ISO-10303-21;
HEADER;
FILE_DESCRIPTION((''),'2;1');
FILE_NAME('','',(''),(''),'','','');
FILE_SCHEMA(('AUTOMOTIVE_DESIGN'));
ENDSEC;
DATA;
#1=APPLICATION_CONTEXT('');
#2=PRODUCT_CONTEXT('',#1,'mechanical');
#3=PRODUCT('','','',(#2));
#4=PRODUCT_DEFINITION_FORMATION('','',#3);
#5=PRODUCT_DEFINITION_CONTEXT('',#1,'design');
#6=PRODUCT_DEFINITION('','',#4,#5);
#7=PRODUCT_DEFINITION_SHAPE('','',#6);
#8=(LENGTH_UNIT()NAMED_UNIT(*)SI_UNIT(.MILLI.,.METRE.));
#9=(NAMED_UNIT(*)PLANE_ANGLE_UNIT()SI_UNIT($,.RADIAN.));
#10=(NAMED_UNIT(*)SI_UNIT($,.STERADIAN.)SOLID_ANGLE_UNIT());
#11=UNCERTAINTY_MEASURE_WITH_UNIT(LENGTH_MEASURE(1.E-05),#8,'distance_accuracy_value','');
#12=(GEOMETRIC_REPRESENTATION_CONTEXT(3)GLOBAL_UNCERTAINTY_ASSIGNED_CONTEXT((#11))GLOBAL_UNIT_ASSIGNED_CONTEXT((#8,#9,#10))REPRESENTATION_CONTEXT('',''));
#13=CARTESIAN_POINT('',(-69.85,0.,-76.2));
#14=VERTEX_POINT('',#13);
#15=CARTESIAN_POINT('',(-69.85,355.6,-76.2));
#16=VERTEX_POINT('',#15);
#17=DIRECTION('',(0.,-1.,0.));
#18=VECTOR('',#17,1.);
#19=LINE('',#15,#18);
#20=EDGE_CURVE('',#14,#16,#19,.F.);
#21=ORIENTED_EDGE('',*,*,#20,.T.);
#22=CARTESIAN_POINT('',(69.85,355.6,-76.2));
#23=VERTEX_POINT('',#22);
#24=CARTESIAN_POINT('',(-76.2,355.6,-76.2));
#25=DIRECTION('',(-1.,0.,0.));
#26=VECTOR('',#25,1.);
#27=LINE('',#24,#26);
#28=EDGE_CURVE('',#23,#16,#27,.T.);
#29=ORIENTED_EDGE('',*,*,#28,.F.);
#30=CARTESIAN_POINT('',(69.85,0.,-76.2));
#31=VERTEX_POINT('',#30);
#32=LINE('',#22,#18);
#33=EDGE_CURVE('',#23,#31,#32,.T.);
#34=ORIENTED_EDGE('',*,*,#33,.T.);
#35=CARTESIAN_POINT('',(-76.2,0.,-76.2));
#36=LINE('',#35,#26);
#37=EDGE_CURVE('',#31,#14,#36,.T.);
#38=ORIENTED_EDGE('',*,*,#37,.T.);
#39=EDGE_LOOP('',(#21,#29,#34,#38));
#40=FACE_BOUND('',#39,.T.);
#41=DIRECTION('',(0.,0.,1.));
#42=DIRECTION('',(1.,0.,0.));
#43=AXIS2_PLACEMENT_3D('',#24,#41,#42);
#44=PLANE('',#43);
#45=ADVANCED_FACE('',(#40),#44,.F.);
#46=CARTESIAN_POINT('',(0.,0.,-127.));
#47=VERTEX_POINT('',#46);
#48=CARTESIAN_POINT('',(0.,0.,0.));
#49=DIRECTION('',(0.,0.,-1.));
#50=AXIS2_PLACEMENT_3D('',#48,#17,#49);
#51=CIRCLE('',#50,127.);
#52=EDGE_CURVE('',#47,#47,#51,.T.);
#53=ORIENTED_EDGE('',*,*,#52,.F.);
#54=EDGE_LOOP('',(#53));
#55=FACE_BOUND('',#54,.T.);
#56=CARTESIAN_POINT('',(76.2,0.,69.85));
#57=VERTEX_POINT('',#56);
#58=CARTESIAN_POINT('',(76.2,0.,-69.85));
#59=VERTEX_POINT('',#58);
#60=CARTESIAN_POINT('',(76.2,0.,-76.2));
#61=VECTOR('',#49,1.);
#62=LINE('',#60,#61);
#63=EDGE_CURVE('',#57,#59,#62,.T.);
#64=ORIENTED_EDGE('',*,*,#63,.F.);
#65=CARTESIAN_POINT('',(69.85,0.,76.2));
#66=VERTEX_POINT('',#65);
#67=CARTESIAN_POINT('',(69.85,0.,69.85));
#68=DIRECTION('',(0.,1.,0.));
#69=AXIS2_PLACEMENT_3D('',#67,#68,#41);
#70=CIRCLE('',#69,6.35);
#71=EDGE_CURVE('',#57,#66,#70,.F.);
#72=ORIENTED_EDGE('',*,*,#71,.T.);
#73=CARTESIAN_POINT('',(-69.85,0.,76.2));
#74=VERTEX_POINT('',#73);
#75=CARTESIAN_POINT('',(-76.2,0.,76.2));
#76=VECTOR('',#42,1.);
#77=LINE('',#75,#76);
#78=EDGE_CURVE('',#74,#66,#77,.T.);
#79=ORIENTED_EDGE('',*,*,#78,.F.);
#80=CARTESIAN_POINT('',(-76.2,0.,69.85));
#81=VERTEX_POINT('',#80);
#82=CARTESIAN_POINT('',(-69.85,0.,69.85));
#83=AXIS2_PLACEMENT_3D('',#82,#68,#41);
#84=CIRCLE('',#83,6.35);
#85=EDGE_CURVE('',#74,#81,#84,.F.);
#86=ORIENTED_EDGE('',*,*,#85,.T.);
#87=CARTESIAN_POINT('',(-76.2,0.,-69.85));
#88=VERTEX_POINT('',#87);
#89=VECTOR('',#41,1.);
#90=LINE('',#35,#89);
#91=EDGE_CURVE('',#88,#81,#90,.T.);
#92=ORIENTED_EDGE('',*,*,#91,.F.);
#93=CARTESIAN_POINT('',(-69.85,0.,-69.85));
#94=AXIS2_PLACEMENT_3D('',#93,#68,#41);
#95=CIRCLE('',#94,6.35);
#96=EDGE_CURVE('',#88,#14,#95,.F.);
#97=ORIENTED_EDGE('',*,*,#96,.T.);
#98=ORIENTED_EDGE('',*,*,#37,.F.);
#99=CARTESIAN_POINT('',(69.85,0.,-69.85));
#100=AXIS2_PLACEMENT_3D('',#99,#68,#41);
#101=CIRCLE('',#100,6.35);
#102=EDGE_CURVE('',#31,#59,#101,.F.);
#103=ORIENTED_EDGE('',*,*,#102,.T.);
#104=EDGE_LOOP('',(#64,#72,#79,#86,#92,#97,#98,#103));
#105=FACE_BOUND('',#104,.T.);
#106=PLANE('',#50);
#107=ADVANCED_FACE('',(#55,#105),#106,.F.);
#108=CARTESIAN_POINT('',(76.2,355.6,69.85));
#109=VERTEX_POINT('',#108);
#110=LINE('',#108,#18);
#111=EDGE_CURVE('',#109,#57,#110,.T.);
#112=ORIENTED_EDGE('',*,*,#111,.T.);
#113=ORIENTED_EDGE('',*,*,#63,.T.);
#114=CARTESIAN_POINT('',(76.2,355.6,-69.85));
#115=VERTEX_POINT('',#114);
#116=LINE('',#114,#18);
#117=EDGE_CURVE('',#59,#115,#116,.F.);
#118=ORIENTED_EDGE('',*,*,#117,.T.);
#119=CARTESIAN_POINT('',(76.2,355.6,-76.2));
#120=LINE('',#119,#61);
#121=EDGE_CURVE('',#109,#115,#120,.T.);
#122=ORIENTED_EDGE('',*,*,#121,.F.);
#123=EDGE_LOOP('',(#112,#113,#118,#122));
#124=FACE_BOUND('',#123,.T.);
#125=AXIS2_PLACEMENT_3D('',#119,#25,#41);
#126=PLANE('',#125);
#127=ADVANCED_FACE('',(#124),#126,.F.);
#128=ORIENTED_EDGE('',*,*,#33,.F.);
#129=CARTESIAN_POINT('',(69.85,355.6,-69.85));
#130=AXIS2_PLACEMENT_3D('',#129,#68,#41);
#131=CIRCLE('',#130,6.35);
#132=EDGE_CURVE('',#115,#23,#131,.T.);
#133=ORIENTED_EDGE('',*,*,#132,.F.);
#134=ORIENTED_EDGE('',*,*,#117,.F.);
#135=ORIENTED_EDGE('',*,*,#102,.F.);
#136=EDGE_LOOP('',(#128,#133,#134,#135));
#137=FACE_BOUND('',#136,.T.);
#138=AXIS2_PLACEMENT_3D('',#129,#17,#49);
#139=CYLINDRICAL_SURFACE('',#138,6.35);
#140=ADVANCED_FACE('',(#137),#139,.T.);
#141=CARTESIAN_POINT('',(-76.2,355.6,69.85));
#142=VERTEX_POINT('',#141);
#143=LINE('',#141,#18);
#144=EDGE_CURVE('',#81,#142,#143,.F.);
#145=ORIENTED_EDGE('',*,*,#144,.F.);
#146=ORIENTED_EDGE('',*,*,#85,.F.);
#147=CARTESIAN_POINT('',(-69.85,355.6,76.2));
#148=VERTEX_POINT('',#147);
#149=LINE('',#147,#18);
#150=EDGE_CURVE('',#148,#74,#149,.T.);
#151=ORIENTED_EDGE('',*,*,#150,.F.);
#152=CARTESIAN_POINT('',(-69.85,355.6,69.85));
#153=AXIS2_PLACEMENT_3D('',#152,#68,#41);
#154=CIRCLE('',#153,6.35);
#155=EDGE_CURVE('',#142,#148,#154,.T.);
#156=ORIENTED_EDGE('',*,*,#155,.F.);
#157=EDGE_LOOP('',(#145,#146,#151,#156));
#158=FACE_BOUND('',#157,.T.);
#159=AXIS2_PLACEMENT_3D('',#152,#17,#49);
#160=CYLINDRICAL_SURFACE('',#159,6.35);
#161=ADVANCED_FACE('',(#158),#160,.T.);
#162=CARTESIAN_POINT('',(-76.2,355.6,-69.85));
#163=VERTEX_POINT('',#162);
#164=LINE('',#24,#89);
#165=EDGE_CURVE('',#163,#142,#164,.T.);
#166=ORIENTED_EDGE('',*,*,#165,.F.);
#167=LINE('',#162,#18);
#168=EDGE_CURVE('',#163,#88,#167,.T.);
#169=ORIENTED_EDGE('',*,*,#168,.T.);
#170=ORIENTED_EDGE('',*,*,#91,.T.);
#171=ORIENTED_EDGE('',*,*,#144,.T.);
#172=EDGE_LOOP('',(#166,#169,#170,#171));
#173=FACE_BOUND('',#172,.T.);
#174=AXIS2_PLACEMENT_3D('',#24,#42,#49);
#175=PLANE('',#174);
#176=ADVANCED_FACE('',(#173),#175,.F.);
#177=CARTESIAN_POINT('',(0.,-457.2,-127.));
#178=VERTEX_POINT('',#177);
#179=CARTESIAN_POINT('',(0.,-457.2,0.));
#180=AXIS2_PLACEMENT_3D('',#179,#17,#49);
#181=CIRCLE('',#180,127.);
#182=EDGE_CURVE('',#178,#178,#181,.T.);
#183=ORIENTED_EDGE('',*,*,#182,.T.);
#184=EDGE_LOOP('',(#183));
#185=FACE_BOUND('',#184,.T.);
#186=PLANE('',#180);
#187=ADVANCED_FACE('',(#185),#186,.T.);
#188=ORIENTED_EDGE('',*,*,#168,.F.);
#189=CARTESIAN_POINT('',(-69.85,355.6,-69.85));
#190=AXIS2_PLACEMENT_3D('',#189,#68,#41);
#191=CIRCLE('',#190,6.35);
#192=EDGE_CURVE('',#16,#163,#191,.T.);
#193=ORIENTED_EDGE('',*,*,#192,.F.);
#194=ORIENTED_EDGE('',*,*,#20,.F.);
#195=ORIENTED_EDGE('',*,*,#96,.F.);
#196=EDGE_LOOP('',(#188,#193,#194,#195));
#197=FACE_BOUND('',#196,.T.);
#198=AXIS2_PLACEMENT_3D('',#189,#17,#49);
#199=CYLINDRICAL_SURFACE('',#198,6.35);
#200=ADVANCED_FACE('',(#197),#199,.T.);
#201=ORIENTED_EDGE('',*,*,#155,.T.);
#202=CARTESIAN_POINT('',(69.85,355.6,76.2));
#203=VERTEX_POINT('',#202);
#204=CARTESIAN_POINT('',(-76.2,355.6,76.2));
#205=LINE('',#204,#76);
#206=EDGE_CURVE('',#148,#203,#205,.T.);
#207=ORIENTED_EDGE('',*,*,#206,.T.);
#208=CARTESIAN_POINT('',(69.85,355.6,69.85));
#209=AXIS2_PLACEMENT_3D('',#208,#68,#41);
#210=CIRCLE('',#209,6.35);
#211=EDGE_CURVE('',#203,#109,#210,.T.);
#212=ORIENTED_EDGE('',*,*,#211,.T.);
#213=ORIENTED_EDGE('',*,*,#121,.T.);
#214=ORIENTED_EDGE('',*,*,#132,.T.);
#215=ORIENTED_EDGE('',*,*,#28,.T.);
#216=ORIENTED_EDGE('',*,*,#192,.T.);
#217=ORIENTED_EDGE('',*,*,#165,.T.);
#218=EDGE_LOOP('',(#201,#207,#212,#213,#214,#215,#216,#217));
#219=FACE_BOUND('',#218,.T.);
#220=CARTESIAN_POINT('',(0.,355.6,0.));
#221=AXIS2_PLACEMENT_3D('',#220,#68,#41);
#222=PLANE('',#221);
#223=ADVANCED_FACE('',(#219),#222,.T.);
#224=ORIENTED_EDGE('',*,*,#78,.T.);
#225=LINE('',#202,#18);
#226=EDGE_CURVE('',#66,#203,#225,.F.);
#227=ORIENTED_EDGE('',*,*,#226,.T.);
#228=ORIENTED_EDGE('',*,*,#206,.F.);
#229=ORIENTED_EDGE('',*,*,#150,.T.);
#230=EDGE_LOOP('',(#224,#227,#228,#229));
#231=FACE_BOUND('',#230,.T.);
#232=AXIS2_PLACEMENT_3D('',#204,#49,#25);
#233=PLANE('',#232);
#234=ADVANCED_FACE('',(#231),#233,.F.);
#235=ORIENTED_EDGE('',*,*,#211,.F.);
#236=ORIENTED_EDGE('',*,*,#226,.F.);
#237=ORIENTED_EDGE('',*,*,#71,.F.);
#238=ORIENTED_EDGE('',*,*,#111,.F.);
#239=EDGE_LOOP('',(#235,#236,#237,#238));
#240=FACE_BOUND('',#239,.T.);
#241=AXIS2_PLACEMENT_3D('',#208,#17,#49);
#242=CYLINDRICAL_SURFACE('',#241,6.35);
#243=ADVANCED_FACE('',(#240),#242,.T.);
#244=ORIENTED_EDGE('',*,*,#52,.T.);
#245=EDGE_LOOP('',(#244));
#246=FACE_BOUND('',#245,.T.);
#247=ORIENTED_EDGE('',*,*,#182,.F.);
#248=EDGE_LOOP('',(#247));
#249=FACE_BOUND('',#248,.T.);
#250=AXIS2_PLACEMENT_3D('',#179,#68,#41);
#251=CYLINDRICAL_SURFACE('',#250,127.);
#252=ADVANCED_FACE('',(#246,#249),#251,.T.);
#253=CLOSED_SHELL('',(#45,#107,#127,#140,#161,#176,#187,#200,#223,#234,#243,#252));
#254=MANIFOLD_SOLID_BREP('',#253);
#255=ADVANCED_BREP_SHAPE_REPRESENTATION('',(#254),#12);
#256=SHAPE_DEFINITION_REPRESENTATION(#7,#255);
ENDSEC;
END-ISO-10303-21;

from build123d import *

# Parameters (mm, degrees)
SKETCH1_W           = 152.4
SKETCH1_H           = 152.4
BOSS_EXTRUDE1_DEPTH = 355.6
FILLET1_R           = 6.35
SKETCH2_R           = 127
BOSS_EXTRUDE2_DEPTH = 457.2


with BuildPart() as part:
    # Sketch1 → Boss-Extrude1 (new body)
    with BuildSketch(Plane(origin=(0, 0, 0), x_dir=(1, 0, 0), z_dir=(0, 1, 0))):
        Rectangle(SKETCH1_W, SKETCH1_H)
    extrude(amount=BOSS_EXTRUDE1_DEPTH)

    # Fillet1
    fillet1_edges = [part.edges().sort_by_distance(p)[0] for p in [
        (-76.2, 177.8, -76.2),
        (76.2, 177.8, -76.2),
        (76.2, 177.8, 76.2),
        (-76.2, 177.8, 76.2),
    ]]
    fillet(fillet1_edges, radius=FILLET1_R)

    # Sketch2 → Boss-Extrude2 (add)
    with BuildSketch(Plane(origin=(0, 0, 0), x_dir=(-1, 0, 0), z_dir=(0, -1, 0))):
        with Locations(Location((0, 0, 0), (0, 0, 90))):
            Circle(SKETCH2_R)
    extrude(amount=BOSS_EXTRUDE2_DEPTH)


solid = part.part
